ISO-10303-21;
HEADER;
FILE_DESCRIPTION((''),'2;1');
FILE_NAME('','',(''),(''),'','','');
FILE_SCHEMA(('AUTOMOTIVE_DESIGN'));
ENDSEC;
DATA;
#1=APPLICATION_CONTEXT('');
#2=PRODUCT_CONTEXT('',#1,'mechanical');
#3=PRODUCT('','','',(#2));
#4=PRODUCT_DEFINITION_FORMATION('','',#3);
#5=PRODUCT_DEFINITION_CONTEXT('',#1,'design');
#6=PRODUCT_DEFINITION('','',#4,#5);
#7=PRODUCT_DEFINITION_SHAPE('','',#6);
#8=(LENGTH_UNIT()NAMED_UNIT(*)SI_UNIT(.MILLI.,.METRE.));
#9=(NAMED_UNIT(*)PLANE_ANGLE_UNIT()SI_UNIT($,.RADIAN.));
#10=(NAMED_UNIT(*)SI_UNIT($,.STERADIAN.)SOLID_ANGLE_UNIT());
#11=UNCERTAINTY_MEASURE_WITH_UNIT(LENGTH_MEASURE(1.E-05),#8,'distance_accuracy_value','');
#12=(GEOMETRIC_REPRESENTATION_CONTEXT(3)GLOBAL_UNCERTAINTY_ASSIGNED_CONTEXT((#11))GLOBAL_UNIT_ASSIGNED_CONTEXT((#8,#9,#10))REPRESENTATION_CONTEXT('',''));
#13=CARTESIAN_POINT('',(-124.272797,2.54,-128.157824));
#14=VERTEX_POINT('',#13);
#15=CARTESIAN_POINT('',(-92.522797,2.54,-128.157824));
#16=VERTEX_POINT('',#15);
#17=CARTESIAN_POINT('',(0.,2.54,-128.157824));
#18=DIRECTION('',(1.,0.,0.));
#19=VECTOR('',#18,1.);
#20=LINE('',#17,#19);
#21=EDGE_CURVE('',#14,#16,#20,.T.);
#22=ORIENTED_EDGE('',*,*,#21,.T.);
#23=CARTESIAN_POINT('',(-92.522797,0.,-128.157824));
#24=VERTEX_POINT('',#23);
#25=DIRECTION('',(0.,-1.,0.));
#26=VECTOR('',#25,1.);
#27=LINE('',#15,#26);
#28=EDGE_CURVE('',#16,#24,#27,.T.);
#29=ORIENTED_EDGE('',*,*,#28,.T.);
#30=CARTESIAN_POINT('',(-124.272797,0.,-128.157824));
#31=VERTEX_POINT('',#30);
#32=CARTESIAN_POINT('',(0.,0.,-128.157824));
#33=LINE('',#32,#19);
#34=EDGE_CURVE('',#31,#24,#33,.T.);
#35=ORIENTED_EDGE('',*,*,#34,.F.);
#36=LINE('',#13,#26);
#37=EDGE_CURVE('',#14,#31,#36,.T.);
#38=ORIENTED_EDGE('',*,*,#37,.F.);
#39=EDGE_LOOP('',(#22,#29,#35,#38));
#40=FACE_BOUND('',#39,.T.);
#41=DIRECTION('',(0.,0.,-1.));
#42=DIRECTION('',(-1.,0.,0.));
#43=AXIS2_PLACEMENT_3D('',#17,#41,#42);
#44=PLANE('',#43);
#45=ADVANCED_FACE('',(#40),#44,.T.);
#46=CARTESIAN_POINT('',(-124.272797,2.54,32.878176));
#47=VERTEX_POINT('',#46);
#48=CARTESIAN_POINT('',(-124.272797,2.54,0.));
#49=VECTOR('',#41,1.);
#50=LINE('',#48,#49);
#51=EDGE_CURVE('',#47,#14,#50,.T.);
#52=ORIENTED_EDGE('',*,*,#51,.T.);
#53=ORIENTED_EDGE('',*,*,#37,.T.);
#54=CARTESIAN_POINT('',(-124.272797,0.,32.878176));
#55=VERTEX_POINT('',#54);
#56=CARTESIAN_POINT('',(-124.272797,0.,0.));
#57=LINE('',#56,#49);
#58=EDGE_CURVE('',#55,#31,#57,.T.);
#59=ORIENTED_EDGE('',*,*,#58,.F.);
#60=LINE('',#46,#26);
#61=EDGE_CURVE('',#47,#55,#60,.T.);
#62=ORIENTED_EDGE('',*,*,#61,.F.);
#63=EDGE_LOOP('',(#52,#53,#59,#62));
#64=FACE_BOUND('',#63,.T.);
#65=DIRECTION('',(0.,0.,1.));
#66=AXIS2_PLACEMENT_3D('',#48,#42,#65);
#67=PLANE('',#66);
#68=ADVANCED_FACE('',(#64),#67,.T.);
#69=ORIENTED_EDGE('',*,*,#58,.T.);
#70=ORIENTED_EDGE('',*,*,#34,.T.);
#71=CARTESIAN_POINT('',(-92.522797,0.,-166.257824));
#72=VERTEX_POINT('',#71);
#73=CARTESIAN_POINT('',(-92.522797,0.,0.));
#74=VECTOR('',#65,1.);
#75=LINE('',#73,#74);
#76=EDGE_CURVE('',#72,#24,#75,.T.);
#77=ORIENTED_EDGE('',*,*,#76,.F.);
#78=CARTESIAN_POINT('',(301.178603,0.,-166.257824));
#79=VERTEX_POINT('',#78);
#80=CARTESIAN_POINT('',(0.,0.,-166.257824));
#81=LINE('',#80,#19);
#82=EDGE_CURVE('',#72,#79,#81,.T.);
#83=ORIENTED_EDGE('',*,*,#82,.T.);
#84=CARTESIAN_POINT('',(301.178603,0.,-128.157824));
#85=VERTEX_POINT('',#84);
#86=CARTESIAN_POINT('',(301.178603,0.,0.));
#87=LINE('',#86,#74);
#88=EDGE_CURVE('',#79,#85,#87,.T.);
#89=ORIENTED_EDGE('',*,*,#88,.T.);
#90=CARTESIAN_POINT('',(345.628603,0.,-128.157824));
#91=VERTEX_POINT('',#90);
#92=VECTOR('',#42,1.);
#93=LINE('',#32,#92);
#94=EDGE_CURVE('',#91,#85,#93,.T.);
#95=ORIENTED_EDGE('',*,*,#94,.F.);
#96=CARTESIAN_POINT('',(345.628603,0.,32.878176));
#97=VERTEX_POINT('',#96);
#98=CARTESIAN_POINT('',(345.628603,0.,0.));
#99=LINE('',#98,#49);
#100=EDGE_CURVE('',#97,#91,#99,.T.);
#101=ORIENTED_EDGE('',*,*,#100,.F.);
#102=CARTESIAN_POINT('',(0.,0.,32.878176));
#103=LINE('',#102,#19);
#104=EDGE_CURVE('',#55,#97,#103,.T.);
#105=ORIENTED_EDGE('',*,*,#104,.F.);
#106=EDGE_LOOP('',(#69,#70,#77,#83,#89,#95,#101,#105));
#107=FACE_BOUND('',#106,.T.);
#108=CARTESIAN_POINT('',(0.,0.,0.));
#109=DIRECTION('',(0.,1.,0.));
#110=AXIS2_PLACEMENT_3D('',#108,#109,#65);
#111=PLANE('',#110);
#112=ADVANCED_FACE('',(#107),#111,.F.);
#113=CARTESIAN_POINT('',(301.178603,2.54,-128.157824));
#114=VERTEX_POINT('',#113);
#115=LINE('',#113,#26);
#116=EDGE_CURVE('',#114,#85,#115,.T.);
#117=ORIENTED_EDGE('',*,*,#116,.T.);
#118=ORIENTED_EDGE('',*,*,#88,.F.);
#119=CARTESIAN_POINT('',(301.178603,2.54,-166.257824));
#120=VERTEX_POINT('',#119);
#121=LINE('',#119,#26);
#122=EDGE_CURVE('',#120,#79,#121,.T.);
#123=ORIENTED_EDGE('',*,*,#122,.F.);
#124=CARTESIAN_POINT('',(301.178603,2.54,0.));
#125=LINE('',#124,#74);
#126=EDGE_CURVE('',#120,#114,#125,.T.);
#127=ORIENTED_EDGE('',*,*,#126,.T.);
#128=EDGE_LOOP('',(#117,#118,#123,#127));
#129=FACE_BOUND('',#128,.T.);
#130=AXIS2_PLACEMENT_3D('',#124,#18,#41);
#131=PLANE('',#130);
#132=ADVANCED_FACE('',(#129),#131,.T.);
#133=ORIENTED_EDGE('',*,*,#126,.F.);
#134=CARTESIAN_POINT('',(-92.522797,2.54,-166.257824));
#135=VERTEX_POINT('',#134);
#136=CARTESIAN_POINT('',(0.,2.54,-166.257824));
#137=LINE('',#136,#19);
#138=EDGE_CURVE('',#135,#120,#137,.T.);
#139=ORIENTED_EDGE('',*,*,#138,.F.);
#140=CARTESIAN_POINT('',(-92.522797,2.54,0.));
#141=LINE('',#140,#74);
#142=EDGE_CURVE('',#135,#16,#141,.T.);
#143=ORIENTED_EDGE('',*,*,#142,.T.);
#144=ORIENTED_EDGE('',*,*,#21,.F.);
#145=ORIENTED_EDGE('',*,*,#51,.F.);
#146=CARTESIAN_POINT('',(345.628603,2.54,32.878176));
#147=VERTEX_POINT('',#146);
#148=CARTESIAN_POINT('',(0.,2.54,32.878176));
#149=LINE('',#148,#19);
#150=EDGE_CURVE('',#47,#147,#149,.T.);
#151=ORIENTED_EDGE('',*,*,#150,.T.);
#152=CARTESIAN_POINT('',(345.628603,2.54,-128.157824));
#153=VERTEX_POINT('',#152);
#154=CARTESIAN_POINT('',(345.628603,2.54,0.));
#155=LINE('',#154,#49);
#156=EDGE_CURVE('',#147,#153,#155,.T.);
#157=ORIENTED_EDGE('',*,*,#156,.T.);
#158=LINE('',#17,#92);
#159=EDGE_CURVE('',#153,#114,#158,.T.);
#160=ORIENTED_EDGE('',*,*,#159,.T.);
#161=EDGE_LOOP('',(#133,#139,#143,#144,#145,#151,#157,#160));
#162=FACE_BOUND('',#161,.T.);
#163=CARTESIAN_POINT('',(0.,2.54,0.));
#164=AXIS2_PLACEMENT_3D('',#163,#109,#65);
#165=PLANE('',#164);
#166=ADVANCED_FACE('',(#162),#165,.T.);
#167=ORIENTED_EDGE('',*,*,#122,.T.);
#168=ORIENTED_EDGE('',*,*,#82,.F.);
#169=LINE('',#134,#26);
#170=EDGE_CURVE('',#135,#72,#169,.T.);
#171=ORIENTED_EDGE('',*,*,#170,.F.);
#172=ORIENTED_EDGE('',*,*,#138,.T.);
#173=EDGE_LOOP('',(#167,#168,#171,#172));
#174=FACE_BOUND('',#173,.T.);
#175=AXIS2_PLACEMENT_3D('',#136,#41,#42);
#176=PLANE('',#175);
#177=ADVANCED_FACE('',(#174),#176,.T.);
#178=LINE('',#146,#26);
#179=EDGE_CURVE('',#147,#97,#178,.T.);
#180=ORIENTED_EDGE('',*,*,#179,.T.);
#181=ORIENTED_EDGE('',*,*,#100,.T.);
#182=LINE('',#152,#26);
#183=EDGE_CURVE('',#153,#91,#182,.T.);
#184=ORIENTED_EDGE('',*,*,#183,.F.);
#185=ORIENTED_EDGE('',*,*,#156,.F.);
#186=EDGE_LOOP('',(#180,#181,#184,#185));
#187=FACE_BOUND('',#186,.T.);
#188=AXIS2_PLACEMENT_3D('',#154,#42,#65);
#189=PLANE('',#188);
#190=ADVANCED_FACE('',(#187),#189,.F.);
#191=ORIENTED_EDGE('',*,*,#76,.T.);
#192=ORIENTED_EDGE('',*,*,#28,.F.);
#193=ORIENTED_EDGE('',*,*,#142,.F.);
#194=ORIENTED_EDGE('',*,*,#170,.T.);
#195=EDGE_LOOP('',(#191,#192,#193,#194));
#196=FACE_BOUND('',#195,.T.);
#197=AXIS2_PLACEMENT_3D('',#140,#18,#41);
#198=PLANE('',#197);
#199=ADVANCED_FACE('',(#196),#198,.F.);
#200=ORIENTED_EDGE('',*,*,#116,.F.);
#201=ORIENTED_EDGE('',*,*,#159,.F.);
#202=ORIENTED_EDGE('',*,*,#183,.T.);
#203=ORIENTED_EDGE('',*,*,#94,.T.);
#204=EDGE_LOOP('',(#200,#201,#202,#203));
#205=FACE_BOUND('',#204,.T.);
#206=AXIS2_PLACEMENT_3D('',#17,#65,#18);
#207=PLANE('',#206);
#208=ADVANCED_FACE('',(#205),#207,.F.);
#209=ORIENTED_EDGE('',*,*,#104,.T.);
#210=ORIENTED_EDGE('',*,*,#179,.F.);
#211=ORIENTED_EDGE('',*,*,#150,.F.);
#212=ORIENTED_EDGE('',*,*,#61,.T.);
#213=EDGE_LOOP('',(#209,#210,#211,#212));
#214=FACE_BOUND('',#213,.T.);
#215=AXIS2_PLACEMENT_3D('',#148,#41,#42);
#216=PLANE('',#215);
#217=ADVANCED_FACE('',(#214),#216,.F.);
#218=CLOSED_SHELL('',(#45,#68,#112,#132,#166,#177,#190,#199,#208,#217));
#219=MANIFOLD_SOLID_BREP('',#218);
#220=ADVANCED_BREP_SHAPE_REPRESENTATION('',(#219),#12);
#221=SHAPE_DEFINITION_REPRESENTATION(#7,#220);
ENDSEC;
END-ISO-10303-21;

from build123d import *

# Parameters (mm, degrees)
BOSS_EXTRUDE1_DEPTH = 2.54


with BuildPart() as part:
    # Sketch1 → Boss-Extrude1 (new body)
    with BuildSketch(Plane(origin=(0, 0, 0), x_dir=(1, 0, 0), z_dir=(0, 1, 0))):
        Polygon((-124.27279724, 128.157824305), (-124.27279724, -32.878175695), (345.628602808, -32.878175695), (345.628602808, 128.157824305), (301.178602808, 128.157824305), (301.178602808, 166.257824305), (-92.52279724, 166.257824305), (-92.52279724, 128.157824305), align=None)
    extrude(amount=BOSS_EXTRUDE1_DEPTH)


solid = part.part
